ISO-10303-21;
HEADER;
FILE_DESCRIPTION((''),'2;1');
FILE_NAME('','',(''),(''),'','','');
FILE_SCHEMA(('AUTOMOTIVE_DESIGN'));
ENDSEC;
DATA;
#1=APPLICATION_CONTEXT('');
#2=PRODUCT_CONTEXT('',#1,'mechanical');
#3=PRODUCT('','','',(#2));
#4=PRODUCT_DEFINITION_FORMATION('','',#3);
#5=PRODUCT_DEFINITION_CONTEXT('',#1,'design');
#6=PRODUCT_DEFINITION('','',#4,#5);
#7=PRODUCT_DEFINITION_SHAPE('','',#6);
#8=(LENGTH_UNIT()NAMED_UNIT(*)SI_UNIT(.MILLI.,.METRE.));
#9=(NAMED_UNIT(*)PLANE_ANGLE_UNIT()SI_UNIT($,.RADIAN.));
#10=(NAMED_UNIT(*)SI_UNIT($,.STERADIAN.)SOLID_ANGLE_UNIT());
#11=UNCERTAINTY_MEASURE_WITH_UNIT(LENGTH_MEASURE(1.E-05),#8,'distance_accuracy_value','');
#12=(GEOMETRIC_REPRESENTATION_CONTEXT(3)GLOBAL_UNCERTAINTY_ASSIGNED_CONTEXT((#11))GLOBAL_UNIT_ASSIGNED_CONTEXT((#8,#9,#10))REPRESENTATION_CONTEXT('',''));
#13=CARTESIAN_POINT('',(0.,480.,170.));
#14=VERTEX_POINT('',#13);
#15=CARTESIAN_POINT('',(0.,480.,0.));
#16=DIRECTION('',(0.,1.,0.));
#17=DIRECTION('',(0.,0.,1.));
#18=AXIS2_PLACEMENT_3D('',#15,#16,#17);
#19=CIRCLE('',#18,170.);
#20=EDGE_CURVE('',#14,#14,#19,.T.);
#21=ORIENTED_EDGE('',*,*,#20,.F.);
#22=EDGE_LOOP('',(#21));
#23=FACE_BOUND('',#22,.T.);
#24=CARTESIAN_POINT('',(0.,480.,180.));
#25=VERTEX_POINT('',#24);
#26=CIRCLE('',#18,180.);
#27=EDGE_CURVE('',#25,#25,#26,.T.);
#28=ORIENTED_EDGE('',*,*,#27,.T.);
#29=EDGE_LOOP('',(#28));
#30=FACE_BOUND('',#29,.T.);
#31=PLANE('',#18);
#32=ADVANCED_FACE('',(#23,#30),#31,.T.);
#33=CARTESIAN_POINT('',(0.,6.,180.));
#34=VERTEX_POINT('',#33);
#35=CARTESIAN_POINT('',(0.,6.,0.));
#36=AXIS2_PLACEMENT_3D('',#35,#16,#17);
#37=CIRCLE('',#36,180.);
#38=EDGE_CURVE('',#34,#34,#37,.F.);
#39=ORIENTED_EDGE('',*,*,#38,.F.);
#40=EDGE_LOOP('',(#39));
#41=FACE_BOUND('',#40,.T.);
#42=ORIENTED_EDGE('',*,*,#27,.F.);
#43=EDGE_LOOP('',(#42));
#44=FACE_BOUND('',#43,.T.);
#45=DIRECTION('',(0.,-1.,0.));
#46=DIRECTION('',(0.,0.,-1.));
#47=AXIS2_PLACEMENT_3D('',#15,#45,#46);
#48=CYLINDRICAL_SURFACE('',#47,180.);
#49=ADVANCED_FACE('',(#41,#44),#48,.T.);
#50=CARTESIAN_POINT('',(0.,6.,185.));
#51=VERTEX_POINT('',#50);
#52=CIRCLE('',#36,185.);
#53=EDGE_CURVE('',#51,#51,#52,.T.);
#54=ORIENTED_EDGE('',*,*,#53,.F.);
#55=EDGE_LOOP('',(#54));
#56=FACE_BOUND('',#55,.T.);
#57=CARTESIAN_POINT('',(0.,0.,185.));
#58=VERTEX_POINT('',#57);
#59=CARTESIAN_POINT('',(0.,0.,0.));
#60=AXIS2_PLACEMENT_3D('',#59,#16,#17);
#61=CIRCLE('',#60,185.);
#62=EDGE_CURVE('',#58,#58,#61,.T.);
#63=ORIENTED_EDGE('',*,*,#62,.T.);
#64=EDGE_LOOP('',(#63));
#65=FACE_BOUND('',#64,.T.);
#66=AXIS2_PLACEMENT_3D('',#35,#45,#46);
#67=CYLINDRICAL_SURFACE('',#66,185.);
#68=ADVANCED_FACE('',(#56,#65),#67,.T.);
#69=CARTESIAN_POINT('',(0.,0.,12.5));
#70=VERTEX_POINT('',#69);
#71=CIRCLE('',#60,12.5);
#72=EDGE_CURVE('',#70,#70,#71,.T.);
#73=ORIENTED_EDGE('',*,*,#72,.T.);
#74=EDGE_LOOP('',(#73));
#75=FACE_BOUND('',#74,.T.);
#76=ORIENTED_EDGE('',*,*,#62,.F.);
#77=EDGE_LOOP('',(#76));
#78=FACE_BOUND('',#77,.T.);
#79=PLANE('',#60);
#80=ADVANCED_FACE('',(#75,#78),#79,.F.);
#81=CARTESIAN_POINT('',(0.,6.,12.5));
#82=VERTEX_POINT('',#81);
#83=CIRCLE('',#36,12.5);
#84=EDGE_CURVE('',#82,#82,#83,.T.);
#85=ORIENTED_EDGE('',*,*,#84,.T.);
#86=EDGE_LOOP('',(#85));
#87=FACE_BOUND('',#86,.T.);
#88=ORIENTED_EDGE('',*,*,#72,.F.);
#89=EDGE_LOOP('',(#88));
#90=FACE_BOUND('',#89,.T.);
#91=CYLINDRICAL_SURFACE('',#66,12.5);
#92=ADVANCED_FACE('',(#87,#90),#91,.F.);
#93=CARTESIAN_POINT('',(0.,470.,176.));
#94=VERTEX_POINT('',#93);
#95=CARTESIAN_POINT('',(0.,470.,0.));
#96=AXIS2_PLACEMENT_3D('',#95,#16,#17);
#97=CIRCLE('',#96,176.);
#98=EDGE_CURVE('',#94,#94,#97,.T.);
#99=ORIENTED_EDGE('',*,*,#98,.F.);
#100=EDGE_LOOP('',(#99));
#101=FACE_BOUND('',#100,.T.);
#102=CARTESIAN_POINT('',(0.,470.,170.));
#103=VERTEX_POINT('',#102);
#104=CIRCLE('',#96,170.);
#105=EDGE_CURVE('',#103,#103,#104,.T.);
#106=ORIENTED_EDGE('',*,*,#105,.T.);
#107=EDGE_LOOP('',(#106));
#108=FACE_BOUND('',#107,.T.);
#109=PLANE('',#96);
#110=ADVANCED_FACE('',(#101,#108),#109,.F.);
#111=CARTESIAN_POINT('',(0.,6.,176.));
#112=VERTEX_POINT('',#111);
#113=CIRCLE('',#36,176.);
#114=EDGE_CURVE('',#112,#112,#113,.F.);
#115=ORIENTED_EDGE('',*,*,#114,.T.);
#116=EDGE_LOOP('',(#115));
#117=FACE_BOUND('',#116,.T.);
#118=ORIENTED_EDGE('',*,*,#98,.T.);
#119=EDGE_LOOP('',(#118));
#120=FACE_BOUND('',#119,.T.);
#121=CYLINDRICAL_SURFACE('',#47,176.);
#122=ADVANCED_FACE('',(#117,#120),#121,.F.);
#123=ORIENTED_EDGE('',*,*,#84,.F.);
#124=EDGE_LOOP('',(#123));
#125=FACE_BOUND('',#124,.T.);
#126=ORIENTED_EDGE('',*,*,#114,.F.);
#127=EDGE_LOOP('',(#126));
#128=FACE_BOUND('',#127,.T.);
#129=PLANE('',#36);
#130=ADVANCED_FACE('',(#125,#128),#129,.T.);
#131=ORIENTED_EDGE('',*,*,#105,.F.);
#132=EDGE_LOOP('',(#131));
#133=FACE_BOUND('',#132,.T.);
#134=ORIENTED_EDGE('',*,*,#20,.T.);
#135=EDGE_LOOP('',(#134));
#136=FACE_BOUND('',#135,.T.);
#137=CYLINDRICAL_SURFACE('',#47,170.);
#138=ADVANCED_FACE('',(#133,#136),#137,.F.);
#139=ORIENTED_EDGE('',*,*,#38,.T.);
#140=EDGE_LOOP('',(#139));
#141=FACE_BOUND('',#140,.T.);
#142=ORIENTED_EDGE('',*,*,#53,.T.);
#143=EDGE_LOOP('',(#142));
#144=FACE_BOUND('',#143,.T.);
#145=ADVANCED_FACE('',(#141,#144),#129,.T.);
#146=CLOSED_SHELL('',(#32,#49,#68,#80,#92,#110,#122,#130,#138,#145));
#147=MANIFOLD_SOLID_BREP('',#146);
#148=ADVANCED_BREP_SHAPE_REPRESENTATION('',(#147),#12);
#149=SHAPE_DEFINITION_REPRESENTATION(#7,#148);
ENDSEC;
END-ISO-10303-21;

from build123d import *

# Parameters (mm, degrees)
RECEPTACLE_FLOOR_SKETCH_R   = 185
RECEPTACLE_FLOOR_SKETCH_R_2 = 12.5
RECEPTACLE_FLOOR_DEPTH      = 6
RECEPTACLE_WALL_SKETCH_R    = 180
RECEPTACLE_WALL_SKETCH_R_2  = 176
RECEPTACLE_WALL_DEPTH       = 480
POT_START                   = 470
POT_SEAT_LEDGE_SKETCH_R     = 177
POT_SEAT_LEDGE_SKETCH_R_2   = 170
POT_SEAT_LEDGE_DEPTH        = 10


with BuildPart() as part:
    # Receptacle Floor Sketch → Receptacle Floor (new body)
    with BuildSketch(Plane(origin=(0, 0, 0), x_dir=(1, 0, 0), z_dir=(0, 1, 0))):
        with Locations(Location((0, 0, 0), (0, 0, 270))):
            Circle(RECEPTACLE_FLOOR_SKETCH_R)
        with Locations(Location((0, 0, 0), (0, 0, 270))):
            Circle(RECEPTACLE_FLOOR_SKETCH_R_2, mode=Mode.SUBTRACT)
    extrude(amount=RECEPTACLE_FLOOR_DEPTH)

    # Receptacle Wall Sketch → Receptacle Wall (add)
    with BuildSketch(Plane(origin=(0, 0, 0), x_dir=(1, 0, 0), z_dir=(0, 1, 0))):
        with Locations(Location((0, 0, 0), (0, 0, 270))):
            Circle(RECEPTACLE_WALL_SKETCH_R)
        with Locations(Location((0, 0, 0), (0, 0, 270))):
            Circle(RECEPTACLE_WALL_SKETCH_R_2, mode=Mode.SUBTRACT)
    extrude(amount=RECEPTACLE_WALL_DEPTH)

    # Pot Seat Ledge Sketch → Pot Seat Ledge (add)
    with BuildSketch(Plane(origin=(0, 0, 0), x_dir=(1, 0, 0), z_dir=(0, 1, 0)).offset(POT_START)):
        Circle(POT_SEAT_LEDGE_SKETCH_R)
        with Locations(Location((0, 0, 0), (0, 0, 270))):
            Circle(POT_SEAT_LEDGE_SKETCH_R_2, mode=Mode.SUBTRACT)
    extrude(amount=POT_SEAT_LEDGE_DEPTH)


solid = part.part
